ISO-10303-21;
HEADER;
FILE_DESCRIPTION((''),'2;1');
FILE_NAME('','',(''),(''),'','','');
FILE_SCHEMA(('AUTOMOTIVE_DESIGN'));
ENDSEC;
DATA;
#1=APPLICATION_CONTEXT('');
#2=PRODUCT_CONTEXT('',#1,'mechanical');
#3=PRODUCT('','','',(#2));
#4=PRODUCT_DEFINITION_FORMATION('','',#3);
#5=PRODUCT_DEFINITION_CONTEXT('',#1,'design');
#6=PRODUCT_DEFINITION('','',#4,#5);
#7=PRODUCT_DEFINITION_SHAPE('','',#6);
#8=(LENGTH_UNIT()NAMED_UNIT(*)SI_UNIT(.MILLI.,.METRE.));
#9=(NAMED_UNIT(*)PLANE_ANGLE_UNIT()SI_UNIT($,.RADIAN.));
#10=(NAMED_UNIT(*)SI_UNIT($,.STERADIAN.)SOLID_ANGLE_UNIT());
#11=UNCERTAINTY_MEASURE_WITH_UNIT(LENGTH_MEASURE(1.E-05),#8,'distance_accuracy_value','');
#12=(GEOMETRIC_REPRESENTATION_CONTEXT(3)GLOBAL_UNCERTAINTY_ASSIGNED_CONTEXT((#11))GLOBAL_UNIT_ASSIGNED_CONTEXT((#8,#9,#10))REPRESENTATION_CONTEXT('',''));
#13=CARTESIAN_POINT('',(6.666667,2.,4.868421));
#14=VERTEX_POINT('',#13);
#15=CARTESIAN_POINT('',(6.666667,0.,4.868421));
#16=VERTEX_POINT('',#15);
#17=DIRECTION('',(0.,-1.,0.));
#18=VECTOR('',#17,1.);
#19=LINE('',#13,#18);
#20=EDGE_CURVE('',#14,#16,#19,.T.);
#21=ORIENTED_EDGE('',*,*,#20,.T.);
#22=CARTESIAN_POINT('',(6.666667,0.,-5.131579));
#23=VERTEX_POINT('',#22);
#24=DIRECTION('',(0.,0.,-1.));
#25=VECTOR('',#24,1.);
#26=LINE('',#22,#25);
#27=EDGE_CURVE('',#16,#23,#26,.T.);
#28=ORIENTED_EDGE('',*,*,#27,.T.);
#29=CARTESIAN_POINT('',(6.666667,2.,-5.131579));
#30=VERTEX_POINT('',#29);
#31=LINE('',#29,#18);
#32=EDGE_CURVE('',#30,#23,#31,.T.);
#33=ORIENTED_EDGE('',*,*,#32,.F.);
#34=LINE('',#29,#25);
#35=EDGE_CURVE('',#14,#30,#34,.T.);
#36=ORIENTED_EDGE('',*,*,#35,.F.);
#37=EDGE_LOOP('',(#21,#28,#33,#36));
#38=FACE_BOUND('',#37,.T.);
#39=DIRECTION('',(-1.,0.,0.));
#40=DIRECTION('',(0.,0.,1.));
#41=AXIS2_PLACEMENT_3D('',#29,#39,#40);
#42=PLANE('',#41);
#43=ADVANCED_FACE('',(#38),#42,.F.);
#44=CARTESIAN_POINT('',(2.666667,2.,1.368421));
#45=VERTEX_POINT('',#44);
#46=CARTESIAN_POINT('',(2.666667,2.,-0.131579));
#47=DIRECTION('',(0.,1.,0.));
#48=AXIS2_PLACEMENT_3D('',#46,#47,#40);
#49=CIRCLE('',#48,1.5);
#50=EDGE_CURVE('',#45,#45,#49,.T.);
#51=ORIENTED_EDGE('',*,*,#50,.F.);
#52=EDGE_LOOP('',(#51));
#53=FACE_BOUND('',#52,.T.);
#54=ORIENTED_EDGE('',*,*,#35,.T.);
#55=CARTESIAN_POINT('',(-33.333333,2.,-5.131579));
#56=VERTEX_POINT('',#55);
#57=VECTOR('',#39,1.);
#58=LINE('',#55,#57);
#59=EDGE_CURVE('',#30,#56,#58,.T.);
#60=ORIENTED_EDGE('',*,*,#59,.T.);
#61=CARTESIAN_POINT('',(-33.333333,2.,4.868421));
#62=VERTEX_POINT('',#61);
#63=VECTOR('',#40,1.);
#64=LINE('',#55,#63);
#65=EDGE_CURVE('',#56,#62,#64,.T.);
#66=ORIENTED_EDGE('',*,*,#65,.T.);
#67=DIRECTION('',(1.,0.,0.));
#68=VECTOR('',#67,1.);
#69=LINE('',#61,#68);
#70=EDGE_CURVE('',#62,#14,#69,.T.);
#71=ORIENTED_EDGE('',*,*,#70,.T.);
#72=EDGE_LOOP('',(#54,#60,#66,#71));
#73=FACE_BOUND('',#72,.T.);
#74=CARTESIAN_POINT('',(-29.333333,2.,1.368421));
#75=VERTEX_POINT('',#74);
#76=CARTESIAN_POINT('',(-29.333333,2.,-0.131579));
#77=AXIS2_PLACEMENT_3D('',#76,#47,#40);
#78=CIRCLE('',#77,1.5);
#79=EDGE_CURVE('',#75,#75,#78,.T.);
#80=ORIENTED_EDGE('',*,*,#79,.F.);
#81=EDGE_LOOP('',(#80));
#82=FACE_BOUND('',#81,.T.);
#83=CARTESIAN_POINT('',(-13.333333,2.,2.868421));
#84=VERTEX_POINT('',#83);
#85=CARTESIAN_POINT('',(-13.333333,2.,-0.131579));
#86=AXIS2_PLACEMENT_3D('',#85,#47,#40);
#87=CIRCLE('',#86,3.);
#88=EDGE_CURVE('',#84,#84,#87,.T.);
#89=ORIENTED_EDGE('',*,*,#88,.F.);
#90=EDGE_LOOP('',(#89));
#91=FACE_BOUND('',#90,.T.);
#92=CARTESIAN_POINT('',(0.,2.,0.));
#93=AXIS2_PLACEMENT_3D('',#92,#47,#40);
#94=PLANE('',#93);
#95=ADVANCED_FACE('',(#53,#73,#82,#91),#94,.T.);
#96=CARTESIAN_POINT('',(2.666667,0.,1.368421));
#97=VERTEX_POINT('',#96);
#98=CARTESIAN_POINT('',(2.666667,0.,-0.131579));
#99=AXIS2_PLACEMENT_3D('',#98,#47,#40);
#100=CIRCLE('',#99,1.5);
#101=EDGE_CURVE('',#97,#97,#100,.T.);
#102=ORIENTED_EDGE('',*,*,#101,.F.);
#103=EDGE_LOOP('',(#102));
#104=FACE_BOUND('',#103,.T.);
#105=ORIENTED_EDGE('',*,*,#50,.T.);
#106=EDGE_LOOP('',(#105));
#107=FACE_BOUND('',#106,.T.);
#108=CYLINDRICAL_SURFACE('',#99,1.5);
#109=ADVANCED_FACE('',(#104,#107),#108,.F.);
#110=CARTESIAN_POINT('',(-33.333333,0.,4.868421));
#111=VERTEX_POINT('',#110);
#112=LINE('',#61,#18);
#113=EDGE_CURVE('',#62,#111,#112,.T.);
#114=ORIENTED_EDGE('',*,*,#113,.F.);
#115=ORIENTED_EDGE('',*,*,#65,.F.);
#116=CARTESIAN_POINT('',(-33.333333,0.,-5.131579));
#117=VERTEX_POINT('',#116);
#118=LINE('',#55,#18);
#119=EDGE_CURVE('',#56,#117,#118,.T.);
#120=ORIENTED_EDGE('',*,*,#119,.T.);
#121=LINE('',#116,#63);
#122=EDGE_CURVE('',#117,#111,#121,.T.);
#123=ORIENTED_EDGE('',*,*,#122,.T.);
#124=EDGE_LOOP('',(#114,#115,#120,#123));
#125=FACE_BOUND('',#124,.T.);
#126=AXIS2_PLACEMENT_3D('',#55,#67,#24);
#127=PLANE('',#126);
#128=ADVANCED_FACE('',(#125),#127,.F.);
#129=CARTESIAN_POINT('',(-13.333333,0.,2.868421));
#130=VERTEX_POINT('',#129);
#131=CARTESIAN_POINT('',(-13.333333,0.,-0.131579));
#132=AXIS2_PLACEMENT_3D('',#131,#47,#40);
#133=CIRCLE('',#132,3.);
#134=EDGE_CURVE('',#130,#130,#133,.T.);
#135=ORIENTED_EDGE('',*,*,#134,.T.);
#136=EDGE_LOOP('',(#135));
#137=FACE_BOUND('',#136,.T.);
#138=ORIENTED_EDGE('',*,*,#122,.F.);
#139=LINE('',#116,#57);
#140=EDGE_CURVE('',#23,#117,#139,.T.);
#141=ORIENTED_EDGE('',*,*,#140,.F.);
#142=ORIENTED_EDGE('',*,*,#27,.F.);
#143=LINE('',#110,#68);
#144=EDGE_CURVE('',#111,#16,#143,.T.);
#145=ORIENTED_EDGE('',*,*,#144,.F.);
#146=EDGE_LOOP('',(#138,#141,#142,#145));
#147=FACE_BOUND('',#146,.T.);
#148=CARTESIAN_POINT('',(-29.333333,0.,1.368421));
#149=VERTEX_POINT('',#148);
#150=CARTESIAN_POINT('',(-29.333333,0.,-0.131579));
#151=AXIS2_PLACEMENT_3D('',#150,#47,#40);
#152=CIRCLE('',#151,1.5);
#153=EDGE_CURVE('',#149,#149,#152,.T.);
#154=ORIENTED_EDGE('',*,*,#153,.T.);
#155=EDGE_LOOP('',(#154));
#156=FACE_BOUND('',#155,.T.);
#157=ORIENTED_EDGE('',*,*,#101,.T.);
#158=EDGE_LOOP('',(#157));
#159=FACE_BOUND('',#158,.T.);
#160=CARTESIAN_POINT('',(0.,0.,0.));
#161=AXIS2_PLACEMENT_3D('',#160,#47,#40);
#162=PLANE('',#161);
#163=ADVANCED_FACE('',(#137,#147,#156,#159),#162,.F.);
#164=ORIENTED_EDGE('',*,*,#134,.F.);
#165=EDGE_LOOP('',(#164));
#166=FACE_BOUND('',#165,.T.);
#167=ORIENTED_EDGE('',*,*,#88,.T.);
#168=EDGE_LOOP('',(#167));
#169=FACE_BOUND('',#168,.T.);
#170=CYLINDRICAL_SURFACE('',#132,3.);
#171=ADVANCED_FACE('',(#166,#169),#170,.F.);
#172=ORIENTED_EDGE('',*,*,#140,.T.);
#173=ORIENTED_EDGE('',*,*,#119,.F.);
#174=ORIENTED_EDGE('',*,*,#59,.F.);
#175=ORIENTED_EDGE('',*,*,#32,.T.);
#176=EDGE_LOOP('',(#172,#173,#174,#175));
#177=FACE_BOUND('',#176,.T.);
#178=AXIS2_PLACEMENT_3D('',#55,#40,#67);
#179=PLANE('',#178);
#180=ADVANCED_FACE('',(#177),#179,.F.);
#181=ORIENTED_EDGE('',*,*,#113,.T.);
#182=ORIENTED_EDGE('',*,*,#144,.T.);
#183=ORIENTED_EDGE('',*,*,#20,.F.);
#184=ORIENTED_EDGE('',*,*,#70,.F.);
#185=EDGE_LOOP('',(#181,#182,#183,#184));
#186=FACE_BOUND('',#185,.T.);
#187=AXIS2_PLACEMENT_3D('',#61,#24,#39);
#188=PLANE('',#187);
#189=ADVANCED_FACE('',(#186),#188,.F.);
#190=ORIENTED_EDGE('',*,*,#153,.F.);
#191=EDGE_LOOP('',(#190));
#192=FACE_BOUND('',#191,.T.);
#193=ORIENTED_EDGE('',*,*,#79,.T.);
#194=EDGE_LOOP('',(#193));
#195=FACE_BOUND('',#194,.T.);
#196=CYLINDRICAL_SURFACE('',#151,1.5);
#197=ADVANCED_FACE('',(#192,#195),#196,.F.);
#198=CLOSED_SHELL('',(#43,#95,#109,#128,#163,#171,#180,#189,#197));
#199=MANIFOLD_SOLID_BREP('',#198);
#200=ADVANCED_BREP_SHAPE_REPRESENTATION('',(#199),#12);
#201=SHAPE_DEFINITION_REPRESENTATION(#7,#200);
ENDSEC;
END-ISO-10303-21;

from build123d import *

# Parameters (mm, degrees)
SKETCH1_W           = 40
SKETCH1_H           = 10
BOSS_EXTRUDE1_DEPTH = 2
SKETCH2_R           = 1.5
SKETCH2_R_2         = 3
CUT_EXTRUDE1_DEPTH  = 3


with BuildPart() as part:
    # Sketch1 → Boss-Extrude1 (new body)
    with BuildSketch(Plane(origin=(0, 0, 0), x_dir=(1, 0, 0), z_dir=(0, 1, 0))):
        with Locations((-13.333333333, 0.131578947)):
            Rectangle(SKETCH1_W, SKETCH1_H)
    extrude(amount=BOSS_EXTRUDE1_DEPTH)

    # Sketch2 → Cut-Extrude1 (cut, through all)
    with BuildSketch(Plane(origin=(0, 2, 0), x_dir=(1, 0, 0), z_dir=(0, 1, 0))):
        with Locations((-29.333333333, 0.131578947)):
            Circle(SKETCH2_R)
        with Locations((2.666666667, 0.131578947)):
            Circle(SKETCH2_R)
        with Locations((-13.333333333, 0.131578947)):
            Circle(SKETCH2_R_2)
    extrude(amount=-CUT_EXTRUDE1_DEPTH, mode=Mode.SUBTRACT)


solid = part.part
